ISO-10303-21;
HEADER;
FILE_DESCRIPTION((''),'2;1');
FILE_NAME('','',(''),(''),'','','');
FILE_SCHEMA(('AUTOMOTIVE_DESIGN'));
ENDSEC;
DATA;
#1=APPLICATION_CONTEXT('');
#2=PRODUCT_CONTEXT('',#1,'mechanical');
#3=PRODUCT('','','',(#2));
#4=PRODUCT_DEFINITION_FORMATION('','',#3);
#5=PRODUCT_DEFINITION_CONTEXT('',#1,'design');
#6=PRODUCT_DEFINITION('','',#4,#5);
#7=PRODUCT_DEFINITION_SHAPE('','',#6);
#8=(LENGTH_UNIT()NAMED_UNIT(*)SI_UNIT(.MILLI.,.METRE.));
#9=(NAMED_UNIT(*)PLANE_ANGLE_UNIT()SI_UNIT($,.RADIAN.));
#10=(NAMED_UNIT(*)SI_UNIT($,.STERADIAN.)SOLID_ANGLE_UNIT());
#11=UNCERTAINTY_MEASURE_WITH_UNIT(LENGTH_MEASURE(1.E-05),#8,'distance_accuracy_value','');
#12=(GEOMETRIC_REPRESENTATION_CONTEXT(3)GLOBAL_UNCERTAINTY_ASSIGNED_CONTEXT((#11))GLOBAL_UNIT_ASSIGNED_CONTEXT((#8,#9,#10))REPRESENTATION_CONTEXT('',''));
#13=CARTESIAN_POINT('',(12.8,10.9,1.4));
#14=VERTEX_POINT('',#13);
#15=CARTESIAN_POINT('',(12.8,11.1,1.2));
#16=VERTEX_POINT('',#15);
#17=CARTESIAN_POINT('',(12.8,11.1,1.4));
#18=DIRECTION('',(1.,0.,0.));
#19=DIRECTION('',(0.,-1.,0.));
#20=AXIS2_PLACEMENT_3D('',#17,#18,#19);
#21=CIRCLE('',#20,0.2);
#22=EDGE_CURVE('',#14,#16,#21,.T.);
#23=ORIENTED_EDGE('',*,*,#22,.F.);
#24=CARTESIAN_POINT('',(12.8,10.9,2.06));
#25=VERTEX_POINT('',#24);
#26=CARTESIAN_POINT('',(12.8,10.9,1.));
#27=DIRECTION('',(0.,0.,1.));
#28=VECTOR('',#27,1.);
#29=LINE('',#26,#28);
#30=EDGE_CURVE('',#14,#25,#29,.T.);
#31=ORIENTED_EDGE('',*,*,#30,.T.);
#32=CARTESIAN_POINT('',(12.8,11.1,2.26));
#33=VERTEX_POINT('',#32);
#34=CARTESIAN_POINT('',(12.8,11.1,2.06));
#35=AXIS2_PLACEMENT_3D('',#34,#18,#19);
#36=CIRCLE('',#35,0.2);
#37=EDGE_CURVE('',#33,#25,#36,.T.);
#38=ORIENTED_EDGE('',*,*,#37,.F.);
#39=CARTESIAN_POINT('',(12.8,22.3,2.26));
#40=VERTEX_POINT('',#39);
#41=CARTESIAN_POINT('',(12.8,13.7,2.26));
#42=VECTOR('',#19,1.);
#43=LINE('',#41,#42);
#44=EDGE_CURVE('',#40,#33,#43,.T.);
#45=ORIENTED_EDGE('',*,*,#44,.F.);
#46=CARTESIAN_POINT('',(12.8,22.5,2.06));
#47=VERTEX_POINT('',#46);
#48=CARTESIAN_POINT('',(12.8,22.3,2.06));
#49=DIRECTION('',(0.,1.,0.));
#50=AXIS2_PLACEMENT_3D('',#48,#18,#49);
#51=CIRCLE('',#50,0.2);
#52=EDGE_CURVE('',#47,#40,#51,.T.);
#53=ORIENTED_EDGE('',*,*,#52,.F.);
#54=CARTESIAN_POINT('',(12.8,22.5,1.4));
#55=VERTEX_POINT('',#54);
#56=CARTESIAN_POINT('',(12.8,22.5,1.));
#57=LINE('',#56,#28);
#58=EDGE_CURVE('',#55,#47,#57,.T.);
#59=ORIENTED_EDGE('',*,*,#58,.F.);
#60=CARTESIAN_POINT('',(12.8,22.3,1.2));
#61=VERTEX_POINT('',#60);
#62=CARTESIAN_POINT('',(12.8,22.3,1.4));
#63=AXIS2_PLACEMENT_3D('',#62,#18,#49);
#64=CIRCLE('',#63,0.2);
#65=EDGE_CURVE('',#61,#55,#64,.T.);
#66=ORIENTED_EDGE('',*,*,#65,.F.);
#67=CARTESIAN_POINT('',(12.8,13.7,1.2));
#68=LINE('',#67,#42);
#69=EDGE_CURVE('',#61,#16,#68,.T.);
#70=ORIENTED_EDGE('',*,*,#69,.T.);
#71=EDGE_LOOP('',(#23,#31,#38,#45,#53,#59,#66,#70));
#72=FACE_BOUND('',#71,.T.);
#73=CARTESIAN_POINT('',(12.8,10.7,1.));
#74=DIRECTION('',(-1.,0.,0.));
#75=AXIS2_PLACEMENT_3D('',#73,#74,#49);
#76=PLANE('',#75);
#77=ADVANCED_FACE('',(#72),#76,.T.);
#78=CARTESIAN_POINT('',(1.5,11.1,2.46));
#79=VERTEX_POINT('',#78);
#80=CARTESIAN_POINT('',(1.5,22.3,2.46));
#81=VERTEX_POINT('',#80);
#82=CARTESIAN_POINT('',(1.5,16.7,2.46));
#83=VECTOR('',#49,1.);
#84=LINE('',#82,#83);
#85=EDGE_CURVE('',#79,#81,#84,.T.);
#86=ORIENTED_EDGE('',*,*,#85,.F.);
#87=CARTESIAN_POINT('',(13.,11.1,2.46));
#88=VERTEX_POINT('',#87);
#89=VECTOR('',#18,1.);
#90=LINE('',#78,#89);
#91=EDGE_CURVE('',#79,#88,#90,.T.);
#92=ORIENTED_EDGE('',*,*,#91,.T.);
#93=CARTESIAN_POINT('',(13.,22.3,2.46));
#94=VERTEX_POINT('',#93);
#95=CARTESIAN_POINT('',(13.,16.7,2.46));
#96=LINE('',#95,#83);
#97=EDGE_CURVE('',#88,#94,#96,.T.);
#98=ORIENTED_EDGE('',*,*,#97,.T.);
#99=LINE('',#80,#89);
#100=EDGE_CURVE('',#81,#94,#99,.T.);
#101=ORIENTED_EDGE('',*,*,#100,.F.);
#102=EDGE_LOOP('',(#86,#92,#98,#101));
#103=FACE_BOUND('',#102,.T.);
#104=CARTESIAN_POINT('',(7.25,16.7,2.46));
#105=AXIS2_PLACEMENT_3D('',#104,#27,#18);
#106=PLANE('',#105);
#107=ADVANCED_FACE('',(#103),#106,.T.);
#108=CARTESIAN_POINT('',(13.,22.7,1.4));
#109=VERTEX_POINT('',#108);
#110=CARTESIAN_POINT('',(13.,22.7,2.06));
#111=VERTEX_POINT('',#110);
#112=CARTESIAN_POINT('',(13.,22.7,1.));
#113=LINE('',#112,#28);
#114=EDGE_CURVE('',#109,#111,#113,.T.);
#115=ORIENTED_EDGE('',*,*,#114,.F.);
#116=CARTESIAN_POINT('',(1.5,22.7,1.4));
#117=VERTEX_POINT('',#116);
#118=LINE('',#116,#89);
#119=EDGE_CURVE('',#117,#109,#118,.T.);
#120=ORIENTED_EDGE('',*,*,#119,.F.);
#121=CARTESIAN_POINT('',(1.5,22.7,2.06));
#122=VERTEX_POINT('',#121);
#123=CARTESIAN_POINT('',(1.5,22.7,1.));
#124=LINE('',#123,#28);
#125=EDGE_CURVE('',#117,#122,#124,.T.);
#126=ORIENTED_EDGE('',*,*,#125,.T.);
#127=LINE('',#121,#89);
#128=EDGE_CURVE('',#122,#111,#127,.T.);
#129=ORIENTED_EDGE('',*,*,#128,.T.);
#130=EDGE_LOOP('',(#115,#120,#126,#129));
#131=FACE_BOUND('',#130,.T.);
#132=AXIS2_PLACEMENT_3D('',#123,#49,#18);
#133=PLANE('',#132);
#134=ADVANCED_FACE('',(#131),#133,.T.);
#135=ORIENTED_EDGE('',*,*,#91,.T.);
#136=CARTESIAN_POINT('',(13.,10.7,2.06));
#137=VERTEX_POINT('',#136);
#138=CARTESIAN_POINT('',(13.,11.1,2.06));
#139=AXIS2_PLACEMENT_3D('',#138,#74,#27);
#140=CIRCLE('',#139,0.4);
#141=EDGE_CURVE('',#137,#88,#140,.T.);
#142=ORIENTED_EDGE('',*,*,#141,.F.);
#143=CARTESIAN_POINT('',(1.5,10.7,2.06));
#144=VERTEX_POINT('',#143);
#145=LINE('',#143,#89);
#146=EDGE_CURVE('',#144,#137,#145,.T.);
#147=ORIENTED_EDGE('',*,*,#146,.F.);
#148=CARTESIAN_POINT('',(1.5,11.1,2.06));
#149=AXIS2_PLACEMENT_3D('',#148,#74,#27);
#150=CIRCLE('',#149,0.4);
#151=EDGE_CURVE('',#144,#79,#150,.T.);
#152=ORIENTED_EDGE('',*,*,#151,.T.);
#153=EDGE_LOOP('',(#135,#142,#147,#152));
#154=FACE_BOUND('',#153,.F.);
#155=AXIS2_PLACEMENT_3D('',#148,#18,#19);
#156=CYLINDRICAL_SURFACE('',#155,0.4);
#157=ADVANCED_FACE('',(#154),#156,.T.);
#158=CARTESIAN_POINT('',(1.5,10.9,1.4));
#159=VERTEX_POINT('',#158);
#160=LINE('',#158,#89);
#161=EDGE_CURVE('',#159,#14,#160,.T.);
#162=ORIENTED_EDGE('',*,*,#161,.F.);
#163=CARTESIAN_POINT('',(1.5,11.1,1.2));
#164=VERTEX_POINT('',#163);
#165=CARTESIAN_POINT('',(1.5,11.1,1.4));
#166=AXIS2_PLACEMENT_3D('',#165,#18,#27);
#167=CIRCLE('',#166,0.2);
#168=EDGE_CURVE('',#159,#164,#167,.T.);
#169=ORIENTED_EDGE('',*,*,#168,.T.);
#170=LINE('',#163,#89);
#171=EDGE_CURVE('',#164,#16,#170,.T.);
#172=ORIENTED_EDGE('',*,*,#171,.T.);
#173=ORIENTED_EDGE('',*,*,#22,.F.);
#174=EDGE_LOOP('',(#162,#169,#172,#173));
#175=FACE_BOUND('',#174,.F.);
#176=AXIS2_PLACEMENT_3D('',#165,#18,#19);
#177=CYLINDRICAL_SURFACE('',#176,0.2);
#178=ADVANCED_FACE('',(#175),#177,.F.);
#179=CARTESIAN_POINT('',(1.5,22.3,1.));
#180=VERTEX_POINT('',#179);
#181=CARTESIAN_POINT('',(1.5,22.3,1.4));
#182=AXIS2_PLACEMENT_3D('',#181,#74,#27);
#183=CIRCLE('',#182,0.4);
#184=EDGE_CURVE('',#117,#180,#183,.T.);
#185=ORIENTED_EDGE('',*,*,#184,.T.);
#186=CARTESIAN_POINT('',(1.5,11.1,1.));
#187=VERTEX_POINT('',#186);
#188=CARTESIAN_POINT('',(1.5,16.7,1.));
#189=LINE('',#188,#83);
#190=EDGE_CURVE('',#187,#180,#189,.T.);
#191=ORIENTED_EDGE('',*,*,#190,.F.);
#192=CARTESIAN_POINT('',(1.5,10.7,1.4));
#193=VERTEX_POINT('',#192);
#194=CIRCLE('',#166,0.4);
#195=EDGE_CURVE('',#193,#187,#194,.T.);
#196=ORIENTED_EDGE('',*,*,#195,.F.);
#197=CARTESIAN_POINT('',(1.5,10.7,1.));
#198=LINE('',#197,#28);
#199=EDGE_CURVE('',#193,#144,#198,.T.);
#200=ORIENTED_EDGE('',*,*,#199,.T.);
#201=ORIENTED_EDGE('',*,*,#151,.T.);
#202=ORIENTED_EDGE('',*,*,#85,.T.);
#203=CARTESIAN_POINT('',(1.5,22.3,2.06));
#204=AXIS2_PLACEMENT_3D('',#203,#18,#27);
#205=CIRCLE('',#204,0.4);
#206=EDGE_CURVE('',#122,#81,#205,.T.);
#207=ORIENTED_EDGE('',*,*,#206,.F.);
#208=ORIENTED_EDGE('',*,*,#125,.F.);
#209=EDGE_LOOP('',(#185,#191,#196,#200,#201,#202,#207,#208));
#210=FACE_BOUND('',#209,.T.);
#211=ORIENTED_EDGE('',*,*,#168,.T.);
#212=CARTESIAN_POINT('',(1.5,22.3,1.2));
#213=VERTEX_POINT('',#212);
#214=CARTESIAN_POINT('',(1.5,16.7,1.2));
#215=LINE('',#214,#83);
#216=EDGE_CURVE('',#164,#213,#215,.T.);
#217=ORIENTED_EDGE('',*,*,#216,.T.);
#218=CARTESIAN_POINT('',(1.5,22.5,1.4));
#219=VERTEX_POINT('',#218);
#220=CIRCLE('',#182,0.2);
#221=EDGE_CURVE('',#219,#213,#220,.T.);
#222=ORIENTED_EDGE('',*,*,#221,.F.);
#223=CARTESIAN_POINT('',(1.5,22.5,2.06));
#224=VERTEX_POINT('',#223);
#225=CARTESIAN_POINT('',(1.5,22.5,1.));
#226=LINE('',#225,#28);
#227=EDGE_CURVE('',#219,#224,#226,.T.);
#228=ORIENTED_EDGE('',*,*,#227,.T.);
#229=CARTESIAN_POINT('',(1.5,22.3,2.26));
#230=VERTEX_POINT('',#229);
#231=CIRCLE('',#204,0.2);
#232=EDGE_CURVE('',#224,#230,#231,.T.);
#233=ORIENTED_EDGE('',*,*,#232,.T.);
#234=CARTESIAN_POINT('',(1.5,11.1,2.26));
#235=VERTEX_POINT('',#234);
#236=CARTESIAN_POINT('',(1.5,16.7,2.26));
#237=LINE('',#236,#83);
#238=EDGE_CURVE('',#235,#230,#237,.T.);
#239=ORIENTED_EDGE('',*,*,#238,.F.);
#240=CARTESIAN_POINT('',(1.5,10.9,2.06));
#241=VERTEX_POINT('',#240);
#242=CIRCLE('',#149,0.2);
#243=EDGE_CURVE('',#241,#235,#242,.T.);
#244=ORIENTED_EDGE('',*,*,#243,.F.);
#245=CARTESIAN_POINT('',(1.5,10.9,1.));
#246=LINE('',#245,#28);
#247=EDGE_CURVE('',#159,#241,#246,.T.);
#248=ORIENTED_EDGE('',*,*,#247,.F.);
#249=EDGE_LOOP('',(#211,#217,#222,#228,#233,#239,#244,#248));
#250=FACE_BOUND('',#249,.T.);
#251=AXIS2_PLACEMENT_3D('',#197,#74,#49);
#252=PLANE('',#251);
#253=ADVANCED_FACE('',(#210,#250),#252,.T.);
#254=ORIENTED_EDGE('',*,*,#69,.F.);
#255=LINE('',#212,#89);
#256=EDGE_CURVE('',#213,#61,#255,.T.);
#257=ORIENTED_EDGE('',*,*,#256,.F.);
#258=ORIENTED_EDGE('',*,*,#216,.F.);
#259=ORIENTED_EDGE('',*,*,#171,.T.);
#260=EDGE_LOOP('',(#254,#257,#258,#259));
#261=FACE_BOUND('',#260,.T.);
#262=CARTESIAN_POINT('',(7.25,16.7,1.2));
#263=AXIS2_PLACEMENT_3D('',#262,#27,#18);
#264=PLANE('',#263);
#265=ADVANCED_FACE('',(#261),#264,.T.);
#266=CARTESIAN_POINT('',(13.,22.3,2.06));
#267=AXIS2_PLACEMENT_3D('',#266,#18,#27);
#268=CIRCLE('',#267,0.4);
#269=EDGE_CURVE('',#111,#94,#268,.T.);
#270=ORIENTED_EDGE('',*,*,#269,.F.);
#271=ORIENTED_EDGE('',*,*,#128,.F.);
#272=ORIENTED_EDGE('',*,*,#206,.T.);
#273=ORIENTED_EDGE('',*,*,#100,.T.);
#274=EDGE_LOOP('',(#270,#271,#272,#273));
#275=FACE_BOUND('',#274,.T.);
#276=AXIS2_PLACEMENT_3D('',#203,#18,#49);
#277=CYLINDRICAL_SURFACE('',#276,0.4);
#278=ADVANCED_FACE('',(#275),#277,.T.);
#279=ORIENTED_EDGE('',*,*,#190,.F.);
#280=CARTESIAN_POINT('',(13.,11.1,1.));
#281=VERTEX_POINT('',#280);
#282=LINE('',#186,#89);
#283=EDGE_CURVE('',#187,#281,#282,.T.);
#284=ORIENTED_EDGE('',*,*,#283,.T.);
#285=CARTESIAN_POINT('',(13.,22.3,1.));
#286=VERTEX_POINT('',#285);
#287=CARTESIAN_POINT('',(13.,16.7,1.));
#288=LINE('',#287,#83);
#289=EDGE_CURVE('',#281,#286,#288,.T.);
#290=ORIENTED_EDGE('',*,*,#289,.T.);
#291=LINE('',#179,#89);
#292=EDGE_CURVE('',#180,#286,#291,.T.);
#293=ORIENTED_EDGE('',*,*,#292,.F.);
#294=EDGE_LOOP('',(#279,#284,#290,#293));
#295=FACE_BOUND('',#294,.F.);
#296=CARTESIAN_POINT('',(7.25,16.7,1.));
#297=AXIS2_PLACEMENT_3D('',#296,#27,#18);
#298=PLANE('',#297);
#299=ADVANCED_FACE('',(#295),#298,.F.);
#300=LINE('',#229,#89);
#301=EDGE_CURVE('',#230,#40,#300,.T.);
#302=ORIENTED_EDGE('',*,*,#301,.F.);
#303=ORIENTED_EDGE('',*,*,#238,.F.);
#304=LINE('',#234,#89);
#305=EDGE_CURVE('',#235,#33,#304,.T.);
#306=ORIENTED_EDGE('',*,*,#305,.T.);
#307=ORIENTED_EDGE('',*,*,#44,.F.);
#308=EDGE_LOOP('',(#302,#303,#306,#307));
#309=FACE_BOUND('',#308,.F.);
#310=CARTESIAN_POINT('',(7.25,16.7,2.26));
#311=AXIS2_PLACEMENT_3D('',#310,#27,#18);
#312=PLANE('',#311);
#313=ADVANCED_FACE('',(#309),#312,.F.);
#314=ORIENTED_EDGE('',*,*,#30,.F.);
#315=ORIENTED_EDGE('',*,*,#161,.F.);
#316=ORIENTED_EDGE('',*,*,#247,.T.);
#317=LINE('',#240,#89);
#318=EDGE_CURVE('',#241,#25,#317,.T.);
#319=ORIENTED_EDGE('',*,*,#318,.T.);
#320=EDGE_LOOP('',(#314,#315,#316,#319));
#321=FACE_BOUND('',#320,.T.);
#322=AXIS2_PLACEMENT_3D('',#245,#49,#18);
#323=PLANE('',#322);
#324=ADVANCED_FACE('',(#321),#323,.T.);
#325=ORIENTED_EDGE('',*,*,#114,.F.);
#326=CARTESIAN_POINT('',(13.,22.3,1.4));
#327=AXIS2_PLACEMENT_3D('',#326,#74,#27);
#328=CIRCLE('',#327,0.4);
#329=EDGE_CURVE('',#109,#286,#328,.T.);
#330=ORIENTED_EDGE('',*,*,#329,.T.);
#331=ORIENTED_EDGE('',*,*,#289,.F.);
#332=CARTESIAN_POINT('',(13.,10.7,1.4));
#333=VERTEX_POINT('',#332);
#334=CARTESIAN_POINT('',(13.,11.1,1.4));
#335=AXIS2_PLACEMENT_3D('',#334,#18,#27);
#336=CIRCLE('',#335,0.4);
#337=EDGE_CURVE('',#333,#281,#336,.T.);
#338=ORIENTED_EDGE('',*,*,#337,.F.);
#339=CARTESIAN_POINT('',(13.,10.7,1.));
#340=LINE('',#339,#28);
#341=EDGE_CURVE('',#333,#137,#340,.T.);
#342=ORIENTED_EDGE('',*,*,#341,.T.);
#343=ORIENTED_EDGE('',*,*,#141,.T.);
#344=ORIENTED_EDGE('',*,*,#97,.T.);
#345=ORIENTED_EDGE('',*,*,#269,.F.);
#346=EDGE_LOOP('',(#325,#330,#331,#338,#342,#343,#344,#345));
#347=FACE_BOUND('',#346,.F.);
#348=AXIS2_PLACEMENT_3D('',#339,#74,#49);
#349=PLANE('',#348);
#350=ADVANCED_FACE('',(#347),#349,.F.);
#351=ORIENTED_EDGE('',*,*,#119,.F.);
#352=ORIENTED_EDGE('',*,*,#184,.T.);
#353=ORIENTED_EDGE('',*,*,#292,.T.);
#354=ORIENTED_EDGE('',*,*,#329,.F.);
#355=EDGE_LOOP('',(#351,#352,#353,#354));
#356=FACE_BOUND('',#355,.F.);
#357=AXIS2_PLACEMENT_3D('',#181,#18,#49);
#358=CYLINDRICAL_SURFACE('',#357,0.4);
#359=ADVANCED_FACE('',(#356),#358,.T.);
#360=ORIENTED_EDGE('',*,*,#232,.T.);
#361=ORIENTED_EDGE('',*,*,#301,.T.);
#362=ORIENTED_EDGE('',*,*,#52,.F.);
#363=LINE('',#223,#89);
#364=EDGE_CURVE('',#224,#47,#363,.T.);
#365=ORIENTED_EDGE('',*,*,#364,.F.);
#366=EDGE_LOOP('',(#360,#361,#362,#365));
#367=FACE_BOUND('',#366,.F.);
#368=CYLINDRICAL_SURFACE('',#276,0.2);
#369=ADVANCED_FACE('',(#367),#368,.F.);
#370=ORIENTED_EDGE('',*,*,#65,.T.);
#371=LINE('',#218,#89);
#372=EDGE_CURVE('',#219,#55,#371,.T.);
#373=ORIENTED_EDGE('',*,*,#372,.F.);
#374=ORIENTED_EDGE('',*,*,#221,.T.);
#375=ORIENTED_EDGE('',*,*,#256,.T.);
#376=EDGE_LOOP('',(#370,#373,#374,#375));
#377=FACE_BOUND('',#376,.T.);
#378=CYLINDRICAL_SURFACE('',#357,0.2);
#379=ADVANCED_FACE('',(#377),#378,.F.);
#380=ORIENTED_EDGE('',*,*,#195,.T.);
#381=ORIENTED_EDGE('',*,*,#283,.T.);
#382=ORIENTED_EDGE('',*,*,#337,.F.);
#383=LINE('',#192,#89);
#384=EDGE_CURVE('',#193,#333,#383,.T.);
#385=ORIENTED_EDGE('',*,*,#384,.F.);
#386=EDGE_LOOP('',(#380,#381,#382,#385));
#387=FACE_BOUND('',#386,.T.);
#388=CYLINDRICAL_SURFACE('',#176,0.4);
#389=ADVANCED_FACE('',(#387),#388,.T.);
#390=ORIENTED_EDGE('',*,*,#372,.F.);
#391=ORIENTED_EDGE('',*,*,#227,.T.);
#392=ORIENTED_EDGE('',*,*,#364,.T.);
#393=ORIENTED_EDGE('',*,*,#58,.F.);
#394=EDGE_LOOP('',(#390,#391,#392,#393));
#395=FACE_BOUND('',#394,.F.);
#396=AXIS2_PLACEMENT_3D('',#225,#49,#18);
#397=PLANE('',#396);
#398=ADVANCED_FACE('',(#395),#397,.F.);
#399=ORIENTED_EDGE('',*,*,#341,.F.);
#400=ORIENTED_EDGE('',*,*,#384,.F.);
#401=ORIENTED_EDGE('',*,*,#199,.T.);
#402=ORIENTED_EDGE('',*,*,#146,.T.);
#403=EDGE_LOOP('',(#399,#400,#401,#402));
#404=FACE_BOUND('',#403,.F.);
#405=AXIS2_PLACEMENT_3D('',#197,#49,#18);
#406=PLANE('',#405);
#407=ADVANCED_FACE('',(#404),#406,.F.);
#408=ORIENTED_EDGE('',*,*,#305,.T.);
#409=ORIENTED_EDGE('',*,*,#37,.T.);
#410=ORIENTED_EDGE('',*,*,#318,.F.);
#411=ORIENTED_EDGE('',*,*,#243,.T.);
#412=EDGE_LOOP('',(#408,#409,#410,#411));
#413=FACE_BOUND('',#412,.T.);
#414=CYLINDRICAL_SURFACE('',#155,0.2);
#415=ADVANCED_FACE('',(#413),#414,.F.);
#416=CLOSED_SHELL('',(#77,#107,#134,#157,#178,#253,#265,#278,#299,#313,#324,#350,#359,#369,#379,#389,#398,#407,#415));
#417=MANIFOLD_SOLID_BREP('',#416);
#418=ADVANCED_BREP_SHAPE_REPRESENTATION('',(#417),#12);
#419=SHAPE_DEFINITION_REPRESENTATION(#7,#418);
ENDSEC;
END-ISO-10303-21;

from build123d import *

# Parameters (mm, degrees)
SKETCH011_W    = 11.5
SKETCH011_H    = 12
PAD008_DEPTH   = 1.46
FILLET003_R    = 0.4
THICKNESS003_T = -0.2


with BuildPart() as part:
    # Sketch011 (on Face1 of ReferenceLinearPattern004004) → Pad008 (new body)
    with BuildSketch(Plane.XY.offset(1)):
        with Locations((7.25, 16.7)):
            Rectangle(SKETCH011_W, SKETCH011_H)
    extrude(amount=PAD008_DEPTH)

    # Fillet003
    fillet003_edges = [part.edges().sort_by_distance(p)[0] for p in [
        (7.25, 10.7, 2.46),
        (7.25, 10.7, 1),
        (7.25, 22.7, 2.46),
        (7.25, 22.7, 1),
    ]]
    fillet(fillet003_edges, radius=FILLET003_R)

    # Thickness003
    thickness003_openings = [part.faces().sort_by_distance(p)[0] for p in [
        (1.5, 16.7, 1.73),
    ]]
    offset(amount=THICKNESS003_T, openings=thickness003_openings)


solid = part.part
